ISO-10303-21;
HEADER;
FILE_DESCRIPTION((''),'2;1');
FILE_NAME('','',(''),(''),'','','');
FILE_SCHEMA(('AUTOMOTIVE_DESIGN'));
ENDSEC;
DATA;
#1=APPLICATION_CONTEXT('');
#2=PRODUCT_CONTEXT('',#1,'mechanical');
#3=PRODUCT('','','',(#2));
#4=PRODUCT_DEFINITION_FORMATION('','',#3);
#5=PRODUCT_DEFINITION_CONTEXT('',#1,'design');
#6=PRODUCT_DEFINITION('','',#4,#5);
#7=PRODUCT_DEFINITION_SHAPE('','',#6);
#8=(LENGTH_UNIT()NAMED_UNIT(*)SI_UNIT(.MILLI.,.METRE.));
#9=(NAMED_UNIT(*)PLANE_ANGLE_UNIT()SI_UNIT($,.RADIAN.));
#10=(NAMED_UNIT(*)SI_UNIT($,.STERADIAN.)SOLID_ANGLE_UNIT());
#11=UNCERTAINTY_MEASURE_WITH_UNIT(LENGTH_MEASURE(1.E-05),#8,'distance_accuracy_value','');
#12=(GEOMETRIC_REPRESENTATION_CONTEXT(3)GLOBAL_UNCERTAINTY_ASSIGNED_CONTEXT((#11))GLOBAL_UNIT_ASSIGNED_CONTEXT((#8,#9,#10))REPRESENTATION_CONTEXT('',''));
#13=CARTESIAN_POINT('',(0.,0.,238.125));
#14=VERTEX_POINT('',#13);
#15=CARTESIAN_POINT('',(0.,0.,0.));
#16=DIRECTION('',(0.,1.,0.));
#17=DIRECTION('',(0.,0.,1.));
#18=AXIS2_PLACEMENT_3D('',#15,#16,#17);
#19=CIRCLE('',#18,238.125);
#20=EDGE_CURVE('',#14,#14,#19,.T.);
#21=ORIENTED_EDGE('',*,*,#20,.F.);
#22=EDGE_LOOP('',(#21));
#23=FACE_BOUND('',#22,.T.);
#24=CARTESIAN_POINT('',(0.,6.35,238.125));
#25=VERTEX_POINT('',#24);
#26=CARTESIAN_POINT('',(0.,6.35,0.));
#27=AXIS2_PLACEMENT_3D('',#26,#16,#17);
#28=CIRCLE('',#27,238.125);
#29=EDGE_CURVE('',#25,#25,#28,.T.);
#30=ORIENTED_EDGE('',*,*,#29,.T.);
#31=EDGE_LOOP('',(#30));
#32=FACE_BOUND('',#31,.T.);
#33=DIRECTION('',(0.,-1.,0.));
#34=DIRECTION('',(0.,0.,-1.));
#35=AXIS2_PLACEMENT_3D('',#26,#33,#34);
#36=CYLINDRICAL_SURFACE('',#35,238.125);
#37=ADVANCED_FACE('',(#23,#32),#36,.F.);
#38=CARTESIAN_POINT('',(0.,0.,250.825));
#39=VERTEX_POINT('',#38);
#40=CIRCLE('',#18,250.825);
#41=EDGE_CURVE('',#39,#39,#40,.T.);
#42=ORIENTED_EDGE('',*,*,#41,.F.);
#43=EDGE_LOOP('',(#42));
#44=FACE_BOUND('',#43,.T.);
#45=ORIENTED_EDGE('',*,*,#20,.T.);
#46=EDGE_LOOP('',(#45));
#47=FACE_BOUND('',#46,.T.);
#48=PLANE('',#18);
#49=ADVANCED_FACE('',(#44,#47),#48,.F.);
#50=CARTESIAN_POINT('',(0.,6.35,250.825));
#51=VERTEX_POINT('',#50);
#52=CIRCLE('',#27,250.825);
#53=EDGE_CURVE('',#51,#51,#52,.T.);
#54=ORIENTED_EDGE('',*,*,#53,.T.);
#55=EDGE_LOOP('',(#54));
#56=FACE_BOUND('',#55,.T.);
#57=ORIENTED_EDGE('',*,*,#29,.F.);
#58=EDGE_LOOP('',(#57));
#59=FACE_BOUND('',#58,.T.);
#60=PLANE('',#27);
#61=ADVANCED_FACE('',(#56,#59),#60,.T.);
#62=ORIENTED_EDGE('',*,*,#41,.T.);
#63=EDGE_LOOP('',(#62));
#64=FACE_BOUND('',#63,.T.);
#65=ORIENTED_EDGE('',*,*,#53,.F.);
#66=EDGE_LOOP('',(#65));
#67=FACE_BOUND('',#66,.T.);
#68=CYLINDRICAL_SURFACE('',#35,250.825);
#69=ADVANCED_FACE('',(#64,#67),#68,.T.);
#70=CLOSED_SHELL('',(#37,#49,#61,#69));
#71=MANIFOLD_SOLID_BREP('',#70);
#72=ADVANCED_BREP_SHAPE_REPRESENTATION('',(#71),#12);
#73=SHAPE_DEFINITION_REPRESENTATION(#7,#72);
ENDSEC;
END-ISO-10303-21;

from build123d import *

# Parameters (mm, degrees)
SKETCH1_R           = 250.825
SKETCH1_R_2         = 238.125
BOSS_EXTRUDE1_DEPTH = 6.35


with BuildPart() as part:
    # Sketch1 → Boss-Extrude1 (new body)
    with BuildSketch(Plane(origin=(0, 0, 0), x_dir=(1, 0, 0), z_dir=(0, 1, 0))):
        with Locations(Location((0, 0, 0), (0, 0, 270))):
            Circle(SKETCH1_R)
        with Locations(Location((0, 0, 0), (0, 0, 270))):
            Circle(SKETCH1_R_2, mode=Mode.SUBTRACT)
    extrude(amount=BOSS_EXTRUDE1_DEPTH)


solid = part.part
